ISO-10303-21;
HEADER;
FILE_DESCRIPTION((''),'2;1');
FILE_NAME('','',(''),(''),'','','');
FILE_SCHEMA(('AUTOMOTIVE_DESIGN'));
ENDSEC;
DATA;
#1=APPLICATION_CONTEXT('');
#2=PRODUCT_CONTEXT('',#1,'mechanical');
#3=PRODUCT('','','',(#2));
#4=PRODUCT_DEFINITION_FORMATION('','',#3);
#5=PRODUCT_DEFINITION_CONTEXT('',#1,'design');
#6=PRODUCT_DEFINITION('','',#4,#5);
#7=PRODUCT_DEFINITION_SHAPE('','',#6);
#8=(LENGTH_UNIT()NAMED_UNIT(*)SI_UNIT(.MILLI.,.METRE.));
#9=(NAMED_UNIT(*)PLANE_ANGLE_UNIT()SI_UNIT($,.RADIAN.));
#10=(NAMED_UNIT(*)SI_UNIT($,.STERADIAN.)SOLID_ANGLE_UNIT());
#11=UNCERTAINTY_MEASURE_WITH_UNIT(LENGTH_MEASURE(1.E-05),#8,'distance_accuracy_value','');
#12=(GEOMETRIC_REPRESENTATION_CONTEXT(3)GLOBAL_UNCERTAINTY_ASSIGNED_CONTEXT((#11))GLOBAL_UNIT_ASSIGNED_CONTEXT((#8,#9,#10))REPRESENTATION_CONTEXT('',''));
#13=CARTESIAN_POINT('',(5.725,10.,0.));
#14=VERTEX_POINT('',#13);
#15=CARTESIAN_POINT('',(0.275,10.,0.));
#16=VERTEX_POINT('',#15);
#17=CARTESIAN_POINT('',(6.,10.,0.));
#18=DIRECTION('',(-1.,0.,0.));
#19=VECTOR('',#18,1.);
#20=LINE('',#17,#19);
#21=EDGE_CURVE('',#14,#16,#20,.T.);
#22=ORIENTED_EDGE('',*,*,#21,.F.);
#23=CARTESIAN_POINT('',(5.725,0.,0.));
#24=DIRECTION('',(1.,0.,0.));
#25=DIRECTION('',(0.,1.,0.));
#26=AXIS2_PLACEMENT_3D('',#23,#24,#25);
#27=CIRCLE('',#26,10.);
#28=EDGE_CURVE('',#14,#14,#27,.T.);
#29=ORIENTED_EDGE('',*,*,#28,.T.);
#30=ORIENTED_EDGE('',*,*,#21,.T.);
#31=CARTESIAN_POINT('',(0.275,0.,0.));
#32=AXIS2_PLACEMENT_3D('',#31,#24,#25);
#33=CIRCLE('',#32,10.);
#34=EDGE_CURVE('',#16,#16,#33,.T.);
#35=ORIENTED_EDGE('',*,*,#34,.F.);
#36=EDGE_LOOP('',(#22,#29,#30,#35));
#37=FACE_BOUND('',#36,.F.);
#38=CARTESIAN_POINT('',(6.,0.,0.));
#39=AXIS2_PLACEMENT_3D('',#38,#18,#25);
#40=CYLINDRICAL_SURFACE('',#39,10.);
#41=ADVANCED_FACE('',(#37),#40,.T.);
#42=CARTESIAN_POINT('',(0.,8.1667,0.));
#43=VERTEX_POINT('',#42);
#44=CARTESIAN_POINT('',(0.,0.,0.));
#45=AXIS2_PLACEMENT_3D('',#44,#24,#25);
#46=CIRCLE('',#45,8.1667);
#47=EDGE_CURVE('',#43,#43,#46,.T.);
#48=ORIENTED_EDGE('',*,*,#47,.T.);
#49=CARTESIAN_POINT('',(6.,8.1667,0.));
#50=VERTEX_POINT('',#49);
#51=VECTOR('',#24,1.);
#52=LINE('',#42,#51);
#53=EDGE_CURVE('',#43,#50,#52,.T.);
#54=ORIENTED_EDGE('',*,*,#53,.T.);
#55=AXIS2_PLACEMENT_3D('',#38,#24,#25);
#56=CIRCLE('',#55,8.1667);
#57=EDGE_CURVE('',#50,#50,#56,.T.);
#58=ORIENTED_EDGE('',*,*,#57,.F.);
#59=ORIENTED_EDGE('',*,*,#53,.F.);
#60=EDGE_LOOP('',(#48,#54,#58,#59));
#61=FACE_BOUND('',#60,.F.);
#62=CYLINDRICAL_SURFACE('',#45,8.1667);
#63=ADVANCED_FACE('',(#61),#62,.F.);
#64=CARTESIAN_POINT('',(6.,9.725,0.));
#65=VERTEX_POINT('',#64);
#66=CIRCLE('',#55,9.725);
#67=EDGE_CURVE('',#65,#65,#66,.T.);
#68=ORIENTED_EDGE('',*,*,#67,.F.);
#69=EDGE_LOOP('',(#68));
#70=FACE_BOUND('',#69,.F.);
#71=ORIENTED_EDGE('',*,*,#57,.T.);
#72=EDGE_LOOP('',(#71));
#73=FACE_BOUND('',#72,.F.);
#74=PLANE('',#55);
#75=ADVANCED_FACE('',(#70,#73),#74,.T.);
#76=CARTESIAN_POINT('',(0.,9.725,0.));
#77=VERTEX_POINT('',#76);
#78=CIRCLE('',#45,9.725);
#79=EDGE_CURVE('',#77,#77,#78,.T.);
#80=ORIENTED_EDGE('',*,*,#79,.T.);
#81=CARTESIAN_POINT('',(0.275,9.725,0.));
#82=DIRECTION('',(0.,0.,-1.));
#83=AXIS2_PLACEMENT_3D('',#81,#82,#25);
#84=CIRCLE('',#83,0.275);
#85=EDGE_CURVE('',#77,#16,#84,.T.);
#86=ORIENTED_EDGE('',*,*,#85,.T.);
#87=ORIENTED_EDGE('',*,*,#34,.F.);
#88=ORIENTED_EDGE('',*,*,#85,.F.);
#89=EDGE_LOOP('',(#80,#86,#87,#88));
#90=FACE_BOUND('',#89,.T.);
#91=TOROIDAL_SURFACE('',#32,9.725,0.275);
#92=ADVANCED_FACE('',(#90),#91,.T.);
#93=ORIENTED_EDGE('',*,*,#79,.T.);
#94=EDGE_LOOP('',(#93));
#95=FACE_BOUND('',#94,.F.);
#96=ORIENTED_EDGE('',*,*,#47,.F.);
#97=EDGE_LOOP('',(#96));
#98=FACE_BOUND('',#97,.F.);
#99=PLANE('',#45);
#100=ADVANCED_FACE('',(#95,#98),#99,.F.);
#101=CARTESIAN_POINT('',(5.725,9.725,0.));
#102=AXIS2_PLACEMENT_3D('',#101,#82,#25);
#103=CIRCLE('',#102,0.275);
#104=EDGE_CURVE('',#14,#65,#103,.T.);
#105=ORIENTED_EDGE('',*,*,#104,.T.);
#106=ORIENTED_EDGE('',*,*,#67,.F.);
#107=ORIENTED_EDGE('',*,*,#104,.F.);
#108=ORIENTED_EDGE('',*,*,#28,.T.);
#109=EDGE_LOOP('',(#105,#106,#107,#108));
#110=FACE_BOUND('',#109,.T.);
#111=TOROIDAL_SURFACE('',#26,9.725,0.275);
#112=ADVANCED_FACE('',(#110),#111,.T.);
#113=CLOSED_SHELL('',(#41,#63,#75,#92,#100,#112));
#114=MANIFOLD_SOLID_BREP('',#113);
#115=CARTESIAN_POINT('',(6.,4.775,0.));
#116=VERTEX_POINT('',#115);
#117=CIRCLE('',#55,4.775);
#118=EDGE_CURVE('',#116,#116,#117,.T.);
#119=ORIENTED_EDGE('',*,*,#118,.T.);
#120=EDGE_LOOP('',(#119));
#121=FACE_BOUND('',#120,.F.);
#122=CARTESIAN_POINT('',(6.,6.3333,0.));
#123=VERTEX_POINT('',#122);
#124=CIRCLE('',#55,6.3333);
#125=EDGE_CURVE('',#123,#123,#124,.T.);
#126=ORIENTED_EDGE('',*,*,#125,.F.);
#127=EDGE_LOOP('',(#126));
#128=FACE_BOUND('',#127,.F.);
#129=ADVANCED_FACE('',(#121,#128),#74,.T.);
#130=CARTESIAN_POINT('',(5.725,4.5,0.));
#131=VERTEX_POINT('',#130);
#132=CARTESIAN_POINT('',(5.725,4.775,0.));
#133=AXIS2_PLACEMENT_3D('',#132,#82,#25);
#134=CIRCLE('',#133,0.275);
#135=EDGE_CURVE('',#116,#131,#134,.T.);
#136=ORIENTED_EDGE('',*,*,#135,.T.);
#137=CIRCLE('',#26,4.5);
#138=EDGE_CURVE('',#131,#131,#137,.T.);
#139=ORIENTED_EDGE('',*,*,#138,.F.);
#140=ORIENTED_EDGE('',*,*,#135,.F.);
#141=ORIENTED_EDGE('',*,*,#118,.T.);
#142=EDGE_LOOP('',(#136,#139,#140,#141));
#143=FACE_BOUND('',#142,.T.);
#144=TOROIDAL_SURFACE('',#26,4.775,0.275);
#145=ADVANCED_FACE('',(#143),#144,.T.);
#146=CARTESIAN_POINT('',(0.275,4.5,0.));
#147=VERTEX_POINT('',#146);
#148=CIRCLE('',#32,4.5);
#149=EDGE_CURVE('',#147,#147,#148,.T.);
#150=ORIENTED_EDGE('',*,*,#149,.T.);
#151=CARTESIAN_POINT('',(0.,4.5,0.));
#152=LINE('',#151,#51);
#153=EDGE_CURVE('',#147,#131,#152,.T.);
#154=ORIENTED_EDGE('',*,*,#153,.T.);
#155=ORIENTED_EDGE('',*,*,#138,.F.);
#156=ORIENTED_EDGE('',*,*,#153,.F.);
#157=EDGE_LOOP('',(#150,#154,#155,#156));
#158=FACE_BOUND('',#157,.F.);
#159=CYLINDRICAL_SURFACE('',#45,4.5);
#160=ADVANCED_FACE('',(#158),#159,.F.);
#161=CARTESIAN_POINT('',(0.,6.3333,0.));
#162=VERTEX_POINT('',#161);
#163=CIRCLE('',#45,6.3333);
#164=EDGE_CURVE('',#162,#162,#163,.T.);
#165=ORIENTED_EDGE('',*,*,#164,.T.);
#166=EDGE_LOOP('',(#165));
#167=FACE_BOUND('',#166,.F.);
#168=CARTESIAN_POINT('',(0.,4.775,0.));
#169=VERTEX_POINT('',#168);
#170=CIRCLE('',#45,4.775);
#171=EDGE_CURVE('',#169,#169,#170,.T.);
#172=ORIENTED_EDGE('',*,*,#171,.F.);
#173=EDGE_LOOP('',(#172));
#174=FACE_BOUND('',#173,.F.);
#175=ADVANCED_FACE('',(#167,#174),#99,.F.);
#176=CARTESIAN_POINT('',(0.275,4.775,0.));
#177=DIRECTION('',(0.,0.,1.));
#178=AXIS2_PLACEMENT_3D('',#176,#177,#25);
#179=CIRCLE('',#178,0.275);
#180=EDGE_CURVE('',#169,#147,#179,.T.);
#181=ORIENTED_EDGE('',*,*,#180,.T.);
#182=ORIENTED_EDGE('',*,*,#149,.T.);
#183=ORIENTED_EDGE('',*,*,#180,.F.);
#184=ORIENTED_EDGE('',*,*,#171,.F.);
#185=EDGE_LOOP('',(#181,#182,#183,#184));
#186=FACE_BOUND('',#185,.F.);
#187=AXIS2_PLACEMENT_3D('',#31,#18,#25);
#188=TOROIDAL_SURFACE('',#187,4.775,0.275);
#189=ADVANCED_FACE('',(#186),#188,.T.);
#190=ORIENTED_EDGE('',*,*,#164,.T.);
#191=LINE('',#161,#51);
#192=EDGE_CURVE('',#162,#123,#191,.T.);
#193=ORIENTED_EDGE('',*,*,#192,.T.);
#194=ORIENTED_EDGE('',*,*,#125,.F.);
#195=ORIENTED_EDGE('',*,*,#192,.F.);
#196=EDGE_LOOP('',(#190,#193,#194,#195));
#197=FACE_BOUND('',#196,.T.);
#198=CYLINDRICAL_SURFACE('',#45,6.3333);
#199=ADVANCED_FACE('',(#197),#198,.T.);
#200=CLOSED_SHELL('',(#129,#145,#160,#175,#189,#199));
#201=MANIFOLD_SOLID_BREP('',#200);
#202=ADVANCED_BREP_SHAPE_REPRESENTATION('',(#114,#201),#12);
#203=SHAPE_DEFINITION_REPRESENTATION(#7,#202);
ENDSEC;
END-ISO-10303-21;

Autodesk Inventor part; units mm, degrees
ref_plane "YZ Plane" through (0, 0, 0) normal (1, 0, 0) x (0, 1, 0)
ref_plane "XZ Plane" through (0, 0, 0) normal (0, 1, 0) x (-1, 0, 0)
ref_plane "XY Plane" through (0, 0, 0) normal (0, 0, 1) x (1, 0, 0)
sketch "草图" plane through (0, 0, 0) normal (0, 0, 1) x (1, 0, 0)
  line L0 (0, 0) -> (6, 0)
  line L1 (0, 0) -> (0, 4.5) construction
  line L2 (0, 4.5) -> (6, 4.5)
  line L3 (6, 4.5) -> (6, 10)
  line L4 (6, 10) -> (0, 10)
  line L5 (0, 10) -> (0, 4.5)
  line L6 (0, 7.25) -> (6, 7.25)
  line L7 (0, 8.1667) -> (6, 8.1667)
  line L8 (0, 6.3333) -> (6, 6.3333)
  dimension "d0" = 6
  dimension "d1" = 9
  dimension "d2" = 12.6667
  dimension "d3" = 20
revolve "轴承体" add sketch "草图" angle 360 about axis through (0, 0, 0) along (1, 0, 0) contours L5 L8 L3 L2 | L5 L4 L3 L7
fillet "圆角1" radius 0.275 4 edges at (0, -10, 0) (6, -10, 0) (0, -4.5, 0) (6, -4.5, 0)
equation "\"d0\" = KB"
equation "\"d1\" = WD"
equation "\"d2\" = 0.333333 * BD + 0.666667 * WD"
equation "\"d3\" = BD"
equation "\"d5\" = -0.025 * WD + 0.025 * BD"
equation "\"WD\" = 9"
equation "\"BD\" = 20"
equation "\"KB\" = 6"
equation "\"BBA\" = 0"
equation "\"KRS\" = 0.3"
equation "\"KR1S\" = 0.15"
equation "\"WR\" = 0.5 * WD"
properties part number "ISO 1224 - 19 9 x  20 x  6" material "钢，软"
